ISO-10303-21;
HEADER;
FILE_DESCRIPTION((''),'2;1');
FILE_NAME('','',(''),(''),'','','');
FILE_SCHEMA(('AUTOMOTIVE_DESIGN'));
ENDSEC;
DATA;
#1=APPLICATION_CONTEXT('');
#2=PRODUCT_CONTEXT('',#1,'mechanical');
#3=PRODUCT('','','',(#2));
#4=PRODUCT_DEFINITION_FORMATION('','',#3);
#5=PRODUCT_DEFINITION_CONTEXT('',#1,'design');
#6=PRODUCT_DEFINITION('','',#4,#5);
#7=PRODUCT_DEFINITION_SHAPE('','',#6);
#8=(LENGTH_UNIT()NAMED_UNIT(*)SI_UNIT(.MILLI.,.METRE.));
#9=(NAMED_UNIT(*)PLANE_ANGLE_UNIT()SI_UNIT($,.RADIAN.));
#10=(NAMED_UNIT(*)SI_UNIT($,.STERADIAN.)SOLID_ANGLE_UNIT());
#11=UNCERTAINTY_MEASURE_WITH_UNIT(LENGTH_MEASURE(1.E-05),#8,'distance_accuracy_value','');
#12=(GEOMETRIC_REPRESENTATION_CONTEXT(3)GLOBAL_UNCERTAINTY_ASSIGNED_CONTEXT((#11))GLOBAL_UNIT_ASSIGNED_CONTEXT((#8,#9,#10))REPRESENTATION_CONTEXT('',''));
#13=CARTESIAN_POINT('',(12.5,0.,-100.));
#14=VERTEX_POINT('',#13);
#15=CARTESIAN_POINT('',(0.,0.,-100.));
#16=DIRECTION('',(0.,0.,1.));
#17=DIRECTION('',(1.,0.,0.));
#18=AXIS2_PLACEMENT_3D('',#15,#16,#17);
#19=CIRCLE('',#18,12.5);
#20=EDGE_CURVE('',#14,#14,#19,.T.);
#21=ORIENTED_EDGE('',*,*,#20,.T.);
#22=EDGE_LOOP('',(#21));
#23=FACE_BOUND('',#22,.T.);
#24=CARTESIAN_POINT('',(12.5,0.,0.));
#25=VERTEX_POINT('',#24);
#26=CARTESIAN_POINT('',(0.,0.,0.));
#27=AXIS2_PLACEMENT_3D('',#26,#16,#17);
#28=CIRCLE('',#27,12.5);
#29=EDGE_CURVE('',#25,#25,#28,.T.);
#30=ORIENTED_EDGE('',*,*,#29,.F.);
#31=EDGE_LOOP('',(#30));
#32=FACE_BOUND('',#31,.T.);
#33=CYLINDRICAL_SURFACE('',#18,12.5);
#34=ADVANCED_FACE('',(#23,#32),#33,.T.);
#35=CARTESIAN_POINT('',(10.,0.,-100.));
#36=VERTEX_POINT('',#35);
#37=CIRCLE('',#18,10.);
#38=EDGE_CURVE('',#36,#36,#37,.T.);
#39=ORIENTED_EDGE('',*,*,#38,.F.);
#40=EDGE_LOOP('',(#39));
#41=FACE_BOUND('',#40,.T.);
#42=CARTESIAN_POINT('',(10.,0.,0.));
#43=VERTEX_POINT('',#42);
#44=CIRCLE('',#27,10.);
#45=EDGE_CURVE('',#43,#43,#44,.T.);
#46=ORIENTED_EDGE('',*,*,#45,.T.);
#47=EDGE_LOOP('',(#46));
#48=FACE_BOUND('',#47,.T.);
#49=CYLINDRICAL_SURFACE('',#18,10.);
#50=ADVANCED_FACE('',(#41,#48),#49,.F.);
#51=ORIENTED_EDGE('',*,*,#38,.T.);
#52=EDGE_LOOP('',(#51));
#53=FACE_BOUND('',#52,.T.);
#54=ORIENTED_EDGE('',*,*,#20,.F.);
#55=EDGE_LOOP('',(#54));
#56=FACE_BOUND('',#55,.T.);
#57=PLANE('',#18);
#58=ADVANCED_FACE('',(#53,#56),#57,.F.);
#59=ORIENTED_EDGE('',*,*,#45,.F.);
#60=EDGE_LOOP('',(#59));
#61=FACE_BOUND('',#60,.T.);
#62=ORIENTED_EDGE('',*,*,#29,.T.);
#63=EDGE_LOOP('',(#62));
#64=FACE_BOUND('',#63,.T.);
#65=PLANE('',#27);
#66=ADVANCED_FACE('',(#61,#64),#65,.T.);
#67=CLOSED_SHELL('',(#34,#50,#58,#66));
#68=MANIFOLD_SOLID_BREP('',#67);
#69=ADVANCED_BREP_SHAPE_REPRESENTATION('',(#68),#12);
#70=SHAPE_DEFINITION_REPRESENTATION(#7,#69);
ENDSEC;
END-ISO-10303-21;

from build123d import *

# Parameters (mm, degrees)
SKETCH1_R           = 12.5
SKETCH1_R_2         = 10
BOSS_EXTRUDE1_DEPTH = 100


with BuildPart() as part:
    # Sketch1 → Boss-Extrude1 (new body)
    with BuildSketch(Plane.XY):
        Circle(SKETCH1_R)
        Circle(SKETCH1_R_2, mode=Mode.SUBTRACT)
    extrude(amount=-BOSS_EXTRUDE1_DEPTH)


solid = part.part
